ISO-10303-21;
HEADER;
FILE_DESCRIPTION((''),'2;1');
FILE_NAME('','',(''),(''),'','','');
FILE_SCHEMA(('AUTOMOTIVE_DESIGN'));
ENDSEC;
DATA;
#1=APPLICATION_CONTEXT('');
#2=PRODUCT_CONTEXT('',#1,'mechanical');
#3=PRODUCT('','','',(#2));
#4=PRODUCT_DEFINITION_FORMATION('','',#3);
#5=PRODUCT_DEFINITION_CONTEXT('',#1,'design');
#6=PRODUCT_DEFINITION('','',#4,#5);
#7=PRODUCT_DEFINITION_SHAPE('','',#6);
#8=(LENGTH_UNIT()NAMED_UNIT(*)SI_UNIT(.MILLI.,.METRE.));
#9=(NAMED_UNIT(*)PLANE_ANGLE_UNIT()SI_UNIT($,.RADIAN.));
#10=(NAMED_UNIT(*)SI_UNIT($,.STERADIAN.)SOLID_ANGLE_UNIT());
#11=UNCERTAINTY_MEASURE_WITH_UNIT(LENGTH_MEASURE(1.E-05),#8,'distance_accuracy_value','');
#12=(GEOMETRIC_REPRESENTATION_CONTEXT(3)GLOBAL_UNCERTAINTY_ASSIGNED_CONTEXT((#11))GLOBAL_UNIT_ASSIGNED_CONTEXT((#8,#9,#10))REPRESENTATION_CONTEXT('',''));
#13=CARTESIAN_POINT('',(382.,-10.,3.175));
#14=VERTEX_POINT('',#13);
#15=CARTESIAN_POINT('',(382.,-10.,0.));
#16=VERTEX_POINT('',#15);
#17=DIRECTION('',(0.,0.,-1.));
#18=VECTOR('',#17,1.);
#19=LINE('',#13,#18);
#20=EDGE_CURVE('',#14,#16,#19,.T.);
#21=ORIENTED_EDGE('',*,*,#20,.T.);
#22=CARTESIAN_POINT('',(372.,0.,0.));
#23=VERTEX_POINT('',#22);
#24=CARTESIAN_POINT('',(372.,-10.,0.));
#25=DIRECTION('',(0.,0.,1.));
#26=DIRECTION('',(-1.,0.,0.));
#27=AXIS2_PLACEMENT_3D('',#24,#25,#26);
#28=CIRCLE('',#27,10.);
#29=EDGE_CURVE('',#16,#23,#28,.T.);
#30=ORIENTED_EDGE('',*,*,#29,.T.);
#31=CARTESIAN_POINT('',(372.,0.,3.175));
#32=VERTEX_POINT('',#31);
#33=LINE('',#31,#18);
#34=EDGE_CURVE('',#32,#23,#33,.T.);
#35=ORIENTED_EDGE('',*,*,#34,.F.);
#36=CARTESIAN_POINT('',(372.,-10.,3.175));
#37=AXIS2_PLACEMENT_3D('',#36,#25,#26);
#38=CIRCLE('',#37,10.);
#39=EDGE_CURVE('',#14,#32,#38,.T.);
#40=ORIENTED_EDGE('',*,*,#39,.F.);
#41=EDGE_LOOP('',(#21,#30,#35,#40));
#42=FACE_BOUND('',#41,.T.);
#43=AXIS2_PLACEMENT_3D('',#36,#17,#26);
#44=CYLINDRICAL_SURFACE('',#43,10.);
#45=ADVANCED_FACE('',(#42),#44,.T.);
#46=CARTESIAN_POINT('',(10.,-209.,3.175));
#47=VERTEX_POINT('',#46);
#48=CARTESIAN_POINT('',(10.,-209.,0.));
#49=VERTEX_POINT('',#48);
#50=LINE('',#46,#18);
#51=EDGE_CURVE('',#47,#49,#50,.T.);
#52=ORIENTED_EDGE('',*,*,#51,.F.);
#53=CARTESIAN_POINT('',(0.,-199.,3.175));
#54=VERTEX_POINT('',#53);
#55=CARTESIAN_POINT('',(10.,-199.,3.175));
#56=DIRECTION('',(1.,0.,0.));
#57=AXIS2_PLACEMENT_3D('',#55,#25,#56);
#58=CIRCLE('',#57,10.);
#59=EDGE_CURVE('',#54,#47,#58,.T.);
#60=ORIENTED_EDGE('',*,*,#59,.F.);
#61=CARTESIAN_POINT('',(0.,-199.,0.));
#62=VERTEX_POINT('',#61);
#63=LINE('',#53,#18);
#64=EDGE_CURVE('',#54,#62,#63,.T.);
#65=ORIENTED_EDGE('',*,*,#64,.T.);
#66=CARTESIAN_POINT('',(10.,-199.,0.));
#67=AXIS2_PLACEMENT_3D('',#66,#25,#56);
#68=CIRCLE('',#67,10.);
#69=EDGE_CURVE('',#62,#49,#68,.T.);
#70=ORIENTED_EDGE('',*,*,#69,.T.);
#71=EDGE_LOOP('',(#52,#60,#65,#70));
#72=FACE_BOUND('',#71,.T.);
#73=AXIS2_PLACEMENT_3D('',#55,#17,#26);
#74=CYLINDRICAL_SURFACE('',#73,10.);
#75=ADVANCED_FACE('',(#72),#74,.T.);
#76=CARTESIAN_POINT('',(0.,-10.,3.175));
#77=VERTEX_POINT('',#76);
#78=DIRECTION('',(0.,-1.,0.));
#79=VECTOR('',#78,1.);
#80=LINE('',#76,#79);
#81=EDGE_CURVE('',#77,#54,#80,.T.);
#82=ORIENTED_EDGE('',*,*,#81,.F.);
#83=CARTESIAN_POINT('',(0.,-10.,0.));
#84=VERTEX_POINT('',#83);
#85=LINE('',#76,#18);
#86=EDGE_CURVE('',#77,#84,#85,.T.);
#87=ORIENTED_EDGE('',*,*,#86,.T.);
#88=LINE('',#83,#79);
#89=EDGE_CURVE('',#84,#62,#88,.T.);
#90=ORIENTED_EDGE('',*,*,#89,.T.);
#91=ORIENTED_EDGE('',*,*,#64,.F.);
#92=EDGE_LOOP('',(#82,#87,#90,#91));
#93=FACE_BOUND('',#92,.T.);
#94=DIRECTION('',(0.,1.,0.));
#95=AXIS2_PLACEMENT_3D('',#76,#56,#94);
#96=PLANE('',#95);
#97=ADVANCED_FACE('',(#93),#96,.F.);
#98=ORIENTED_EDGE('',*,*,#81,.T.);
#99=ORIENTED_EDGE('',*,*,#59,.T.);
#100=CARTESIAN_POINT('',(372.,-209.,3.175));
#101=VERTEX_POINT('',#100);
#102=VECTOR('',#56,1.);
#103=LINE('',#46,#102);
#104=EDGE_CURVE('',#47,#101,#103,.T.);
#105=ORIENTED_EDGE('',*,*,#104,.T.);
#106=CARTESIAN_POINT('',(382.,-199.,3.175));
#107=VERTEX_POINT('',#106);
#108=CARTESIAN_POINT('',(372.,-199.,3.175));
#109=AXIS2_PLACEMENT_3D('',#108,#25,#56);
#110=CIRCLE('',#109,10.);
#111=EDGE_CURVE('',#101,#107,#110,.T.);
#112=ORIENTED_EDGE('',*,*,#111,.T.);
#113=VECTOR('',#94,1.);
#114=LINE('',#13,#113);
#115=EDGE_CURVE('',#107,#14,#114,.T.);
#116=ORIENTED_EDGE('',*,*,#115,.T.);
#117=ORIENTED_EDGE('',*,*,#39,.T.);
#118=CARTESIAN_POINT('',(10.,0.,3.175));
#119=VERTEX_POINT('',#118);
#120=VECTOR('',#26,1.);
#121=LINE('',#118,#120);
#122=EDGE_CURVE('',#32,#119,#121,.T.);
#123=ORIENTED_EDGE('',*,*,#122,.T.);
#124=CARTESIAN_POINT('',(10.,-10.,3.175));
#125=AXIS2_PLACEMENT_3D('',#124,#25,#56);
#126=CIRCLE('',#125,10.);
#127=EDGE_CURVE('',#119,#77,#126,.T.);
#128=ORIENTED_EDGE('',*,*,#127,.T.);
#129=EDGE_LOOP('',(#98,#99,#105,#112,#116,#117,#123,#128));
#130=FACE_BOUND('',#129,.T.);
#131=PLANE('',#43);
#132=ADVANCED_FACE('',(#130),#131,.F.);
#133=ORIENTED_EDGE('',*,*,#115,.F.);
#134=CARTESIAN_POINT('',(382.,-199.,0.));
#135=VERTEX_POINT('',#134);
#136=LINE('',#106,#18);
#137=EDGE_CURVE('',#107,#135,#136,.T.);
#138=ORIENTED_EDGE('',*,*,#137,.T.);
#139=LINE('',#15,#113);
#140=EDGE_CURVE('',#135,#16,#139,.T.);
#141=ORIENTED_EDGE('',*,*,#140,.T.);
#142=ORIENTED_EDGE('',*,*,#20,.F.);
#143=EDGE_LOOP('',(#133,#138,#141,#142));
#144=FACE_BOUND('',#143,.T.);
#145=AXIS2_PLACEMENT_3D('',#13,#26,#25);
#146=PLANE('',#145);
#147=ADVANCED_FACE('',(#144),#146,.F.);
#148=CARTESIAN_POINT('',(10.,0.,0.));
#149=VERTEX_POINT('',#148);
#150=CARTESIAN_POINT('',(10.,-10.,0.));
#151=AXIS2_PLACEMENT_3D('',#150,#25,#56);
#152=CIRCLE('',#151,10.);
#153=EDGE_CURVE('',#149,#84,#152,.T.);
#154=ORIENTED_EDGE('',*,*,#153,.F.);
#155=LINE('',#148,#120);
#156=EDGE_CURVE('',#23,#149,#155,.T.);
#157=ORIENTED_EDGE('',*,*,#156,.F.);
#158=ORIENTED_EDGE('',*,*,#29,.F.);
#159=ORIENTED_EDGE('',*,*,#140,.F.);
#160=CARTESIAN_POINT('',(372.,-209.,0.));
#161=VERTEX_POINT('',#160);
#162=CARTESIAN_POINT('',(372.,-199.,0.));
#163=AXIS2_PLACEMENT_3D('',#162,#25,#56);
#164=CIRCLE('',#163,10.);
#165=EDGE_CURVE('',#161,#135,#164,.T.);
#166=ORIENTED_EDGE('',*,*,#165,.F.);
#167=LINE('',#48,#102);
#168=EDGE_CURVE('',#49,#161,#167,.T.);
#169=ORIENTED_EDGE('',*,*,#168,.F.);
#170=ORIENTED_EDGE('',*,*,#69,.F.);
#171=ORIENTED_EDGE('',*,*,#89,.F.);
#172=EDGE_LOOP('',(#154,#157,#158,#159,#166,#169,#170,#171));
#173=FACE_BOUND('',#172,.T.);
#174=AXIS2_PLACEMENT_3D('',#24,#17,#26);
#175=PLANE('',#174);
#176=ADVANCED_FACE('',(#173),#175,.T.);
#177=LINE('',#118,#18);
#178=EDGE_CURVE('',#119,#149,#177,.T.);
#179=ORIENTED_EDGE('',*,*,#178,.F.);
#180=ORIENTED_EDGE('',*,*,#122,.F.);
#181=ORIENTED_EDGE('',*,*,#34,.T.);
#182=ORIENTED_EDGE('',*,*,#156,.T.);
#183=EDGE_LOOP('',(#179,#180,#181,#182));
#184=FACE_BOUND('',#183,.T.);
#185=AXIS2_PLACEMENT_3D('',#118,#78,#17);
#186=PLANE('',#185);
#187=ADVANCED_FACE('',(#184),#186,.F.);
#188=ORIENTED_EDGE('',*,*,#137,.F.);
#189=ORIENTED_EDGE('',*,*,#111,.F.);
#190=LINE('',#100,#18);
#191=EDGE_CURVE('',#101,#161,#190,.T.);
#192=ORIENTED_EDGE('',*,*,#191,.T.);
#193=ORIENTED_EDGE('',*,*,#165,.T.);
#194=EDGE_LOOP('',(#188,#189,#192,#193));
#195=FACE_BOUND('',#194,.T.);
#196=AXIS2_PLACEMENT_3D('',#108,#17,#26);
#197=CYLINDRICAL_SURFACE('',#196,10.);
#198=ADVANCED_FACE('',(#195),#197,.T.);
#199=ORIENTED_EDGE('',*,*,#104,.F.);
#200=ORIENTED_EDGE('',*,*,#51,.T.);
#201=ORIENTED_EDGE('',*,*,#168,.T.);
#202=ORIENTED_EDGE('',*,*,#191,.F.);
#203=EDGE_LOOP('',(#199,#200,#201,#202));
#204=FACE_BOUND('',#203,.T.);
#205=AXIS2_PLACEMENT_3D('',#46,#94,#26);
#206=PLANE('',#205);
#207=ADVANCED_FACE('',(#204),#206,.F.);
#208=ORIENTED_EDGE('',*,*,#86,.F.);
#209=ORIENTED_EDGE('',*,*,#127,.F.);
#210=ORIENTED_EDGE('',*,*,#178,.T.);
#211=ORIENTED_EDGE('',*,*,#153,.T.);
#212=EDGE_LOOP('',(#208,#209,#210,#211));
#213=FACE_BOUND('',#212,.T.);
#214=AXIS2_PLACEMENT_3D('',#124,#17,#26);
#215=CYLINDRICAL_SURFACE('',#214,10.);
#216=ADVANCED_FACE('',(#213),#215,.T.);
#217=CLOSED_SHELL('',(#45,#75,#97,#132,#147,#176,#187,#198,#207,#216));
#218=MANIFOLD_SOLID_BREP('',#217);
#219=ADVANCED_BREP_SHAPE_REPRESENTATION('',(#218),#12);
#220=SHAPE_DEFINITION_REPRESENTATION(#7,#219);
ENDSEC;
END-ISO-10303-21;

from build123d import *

# Parameters (mm, degrees)
BOSS_EXTRUDE1_DEPTH = 3.175


with BuildPart() as part:
    # Sketch1 → Boss-Extrude1 (new body)
    with BuildSketch(Plane.XY):
        with BuildLine():
            Line((10, 0), (372, 0))
            ThreePointArc((372, 0), (379.071067812, -2.928932188), (382, -10))
            Line((382, -10), (382, -199))
            ThreePointArc((382, -199), (379.071067812, -206.071067812), (372, -209))
            Line((372, -209), (10, -209))
            ThreePointArc((10, -209), (2.928932188, -206.071067812), (0, -199))
            Line((0, -199), (0, -10))
            ThreePointArc((0, -10), (2.928932188, -2.928932188), (10, 0))
        make_face()
    extrude(amount=BOSS_EXTRUDE1_DEPTH)


solid = part.part
